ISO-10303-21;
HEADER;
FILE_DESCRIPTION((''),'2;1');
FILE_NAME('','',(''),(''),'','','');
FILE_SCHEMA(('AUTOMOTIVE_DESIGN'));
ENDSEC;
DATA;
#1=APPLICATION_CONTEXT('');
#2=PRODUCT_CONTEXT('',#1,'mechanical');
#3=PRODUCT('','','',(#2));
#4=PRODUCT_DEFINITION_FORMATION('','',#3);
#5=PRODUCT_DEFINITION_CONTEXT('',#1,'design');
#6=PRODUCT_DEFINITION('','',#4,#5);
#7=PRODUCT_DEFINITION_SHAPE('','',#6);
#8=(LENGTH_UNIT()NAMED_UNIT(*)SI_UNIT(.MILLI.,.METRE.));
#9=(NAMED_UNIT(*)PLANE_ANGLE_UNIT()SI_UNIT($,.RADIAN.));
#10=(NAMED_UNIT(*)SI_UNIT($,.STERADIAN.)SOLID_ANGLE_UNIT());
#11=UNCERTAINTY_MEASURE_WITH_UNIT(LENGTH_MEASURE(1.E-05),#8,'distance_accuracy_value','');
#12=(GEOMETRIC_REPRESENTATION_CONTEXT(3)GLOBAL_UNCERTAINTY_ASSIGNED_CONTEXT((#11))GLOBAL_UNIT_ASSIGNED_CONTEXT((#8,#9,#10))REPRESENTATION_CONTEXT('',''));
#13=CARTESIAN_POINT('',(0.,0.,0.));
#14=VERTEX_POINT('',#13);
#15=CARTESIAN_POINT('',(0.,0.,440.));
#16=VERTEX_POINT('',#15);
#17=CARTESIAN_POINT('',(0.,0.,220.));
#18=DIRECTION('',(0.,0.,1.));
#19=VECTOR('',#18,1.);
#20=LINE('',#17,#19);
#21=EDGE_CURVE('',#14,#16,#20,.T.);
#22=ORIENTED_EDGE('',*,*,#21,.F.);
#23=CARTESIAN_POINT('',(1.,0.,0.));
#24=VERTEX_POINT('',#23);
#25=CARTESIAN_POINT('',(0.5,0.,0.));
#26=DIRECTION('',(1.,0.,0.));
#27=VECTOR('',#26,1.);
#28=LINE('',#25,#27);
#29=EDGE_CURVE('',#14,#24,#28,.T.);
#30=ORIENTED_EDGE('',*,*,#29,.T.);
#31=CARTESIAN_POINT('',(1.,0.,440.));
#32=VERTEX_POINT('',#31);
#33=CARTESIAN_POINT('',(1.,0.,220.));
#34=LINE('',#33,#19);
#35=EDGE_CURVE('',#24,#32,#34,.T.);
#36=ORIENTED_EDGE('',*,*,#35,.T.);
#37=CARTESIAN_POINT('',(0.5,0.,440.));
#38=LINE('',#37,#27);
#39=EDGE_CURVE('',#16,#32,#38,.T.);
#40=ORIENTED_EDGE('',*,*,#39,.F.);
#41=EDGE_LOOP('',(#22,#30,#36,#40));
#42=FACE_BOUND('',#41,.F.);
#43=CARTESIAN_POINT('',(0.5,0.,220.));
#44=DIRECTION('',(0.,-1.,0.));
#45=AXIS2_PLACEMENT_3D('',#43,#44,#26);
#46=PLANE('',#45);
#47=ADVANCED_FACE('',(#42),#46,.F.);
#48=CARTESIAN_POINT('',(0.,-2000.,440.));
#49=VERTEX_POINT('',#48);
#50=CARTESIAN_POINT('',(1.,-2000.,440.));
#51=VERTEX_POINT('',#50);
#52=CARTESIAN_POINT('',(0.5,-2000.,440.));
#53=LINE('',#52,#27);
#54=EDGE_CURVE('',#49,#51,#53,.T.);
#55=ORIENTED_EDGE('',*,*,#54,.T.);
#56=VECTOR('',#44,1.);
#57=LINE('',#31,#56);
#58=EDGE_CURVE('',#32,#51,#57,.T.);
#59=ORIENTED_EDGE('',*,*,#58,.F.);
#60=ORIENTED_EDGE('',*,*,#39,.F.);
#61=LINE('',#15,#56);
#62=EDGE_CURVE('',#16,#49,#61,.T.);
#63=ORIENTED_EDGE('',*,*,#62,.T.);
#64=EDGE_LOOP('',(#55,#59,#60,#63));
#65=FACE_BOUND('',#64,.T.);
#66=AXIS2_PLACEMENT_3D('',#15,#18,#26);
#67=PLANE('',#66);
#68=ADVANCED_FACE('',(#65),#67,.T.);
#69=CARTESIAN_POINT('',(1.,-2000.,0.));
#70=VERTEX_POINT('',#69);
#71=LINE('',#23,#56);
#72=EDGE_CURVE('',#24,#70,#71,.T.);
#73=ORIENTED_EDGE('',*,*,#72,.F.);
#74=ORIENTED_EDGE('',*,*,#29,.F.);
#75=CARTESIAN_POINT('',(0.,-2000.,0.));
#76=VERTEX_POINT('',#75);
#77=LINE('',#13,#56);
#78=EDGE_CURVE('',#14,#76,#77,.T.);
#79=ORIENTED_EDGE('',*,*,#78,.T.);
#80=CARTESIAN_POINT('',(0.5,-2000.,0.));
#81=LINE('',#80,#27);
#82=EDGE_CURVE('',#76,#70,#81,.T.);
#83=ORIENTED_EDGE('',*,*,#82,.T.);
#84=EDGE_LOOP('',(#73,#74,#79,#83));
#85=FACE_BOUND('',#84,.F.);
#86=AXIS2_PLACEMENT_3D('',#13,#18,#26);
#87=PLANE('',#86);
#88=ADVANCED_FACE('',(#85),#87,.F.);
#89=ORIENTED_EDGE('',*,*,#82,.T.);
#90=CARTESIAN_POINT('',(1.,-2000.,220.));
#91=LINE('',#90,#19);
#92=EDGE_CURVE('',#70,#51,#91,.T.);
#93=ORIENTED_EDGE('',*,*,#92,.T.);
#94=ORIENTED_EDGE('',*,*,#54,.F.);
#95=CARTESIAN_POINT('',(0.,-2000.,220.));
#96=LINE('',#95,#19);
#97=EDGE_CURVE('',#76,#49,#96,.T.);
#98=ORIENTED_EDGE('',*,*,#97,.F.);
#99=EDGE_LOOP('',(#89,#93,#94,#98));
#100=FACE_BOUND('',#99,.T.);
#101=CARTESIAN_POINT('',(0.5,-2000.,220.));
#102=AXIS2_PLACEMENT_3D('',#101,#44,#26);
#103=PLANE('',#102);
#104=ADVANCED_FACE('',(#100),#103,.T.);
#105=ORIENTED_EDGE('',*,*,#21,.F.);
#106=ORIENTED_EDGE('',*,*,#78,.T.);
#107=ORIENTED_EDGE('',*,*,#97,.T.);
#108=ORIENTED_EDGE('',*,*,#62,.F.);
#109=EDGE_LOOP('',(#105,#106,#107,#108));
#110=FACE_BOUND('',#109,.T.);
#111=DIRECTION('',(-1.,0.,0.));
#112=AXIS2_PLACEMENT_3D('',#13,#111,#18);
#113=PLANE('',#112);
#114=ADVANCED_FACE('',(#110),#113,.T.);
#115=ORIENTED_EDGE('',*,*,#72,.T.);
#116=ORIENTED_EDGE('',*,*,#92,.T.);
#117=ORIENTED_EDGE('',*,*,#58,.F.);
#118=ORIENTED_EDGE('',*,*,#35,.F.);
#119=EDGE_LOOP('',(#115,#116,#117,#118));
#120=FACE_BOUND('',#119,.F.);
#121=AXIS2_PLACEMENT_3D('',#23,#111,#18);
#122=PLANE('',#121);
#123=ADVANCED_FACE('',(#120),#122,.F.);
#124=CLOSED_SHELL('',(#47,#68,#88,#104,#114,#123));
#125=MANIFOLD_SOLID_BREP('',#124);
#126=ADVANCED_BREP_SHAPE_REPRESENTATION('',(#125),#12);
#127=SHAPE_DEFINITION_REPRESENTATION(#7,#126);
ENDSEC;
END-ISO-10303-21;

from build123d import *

# Parameters (mm, degrees)
SKETCH_W  = 1
SKETCH_H  = 440
PAD_DEPTH = 2000


with BuildPart() as part:
    # Sketch → Pad (new body)
    with BuildSketch(Plane.XZ):
        with Locations((0.5, 220)):
            Rectangle(SKETCH_W, SKETCH_H)
    extrude(amount=PAD_DEPTH)


solid = part.part
